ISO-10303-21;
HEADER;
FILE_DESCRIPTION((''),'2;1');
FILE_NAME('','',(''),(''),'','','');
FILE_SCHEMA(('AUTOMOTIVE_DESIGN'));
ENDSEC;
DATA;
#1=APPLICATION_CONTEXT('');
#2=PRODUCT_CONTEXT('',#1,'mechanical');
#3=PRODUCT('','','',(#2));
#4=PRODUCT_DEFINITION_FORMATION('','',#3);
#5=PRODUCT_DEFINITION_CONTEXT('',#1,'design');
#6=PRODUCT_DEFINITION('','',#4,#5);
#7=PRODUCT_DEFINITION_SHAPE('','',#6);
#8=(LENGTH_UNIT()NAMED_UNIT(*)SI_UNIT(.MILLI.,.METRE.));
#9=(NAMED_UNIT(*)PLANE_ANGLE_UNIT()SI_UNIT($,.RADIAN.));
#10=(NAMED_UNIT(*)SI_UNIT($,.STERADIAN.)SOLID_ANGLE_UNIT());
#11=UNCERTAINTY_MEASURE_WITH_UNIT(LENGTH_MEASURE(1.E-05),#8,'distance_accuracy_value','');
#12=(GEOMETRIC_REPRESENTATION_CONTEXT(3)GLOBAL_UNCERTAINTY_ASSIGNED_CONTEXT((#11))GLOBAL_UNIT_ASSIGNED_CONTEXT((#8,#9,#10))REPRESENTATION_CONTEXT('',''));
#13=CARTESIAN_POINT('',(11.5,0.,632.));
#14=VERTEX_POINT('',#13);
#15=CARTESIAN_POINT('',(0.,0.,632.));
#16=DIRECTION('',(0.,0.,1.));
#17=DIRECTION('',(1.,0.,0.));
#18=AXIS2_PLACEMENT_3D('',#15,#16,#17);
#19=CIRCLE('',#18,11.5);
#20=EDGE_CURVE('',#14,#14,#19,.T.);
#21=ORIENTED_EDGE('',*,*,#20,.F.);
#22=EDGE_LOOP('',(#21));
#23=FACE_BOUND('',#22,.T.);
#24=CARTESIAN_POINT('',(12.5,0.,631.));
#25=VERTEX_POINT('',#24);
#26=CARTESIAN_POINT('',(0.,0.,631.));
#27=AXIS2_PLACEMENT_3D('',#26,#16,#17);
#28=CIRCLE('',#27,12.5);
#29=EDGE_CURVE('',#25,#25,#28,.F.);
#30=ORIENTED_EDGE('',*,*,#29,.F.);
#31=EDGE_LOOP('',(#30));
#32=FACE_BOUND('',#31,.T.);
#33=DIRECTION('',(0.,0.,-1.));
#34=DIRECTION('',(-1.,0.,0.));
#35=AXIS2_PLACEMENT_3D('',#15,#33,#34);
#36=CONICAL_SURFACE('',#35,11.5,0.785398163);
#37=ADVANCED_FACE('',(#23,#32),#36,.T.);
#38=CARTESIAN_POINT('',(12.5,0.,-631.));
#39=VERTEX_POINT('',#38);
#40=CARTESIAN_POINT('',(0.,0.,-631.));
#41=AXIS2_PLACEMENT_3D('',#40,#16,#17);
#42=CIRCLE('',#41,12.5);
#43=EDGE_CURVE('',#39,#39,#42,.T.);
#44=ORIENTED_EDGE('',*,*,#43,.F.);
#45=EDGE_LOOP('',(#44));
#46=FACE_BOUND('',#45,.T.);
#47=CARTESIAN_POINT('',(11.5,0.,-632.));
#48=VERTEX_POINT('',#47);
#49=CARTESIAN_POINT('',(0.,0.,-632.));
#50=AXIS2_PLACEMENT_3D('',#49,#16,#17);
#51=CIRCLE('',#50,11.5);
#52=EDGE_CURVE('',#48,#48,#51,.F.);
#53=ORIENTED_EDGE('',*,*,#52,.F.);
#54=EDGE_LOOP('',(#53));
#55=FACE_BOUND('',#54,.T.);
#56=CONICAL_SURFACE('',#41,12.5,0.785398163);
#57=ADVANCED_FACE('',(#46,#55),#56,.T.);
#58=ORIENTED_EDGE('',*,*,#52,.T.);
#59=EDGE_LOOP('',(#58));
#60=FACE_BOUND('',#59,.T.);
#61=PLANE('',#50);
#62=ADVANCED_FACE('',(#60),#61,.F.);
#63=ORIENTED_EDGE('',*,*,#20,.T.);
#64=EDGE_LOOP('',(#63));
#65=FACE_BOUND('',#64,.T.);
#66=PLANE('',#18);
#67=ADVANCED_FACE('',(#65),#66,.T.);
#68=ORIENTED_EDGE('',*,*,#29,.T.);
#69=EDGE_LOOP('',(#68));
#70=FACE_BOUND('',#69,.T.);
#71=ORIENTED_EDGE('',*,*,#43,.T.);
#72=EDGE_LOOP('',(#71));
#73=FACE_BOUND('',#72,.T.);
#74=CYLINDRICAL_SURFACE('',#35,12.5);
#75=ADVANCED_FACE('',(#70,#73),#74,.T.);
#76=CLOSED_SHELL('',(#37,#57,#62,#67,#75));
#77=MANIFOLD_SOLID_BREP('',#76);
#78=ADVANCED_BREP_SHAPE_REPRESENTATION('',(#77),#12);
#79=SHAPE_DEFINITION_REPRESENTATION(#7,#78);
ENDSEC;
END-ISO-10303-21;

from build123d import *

# Parameters (mm, degrees)
SKETCH_1_R      = 12.5
EXTRUDE_1_DEPTH = 632
CHAMFER_1_SIZE  = 1


with BuildPart() as part:
    # Эскиз1 → Бобышка-Вытянуть1 (new, symmetric)
    with BuildSketch(Plane.XY):
        Circle(SKETCH_1_R)
    extrude(amount=EXTRUDE_1_DEPTH, both=True)

    # Фаска1
    chamfer_1_edges = [part.edges().sort_by_distance(p)[0] for p in [
        (-12.5, 0, -632),
        (-12.5, 0, 632),
    ]]
    chamfer(chamfer_1_edges, length=CHAMFER_1_SIZE)


solid = part.part
